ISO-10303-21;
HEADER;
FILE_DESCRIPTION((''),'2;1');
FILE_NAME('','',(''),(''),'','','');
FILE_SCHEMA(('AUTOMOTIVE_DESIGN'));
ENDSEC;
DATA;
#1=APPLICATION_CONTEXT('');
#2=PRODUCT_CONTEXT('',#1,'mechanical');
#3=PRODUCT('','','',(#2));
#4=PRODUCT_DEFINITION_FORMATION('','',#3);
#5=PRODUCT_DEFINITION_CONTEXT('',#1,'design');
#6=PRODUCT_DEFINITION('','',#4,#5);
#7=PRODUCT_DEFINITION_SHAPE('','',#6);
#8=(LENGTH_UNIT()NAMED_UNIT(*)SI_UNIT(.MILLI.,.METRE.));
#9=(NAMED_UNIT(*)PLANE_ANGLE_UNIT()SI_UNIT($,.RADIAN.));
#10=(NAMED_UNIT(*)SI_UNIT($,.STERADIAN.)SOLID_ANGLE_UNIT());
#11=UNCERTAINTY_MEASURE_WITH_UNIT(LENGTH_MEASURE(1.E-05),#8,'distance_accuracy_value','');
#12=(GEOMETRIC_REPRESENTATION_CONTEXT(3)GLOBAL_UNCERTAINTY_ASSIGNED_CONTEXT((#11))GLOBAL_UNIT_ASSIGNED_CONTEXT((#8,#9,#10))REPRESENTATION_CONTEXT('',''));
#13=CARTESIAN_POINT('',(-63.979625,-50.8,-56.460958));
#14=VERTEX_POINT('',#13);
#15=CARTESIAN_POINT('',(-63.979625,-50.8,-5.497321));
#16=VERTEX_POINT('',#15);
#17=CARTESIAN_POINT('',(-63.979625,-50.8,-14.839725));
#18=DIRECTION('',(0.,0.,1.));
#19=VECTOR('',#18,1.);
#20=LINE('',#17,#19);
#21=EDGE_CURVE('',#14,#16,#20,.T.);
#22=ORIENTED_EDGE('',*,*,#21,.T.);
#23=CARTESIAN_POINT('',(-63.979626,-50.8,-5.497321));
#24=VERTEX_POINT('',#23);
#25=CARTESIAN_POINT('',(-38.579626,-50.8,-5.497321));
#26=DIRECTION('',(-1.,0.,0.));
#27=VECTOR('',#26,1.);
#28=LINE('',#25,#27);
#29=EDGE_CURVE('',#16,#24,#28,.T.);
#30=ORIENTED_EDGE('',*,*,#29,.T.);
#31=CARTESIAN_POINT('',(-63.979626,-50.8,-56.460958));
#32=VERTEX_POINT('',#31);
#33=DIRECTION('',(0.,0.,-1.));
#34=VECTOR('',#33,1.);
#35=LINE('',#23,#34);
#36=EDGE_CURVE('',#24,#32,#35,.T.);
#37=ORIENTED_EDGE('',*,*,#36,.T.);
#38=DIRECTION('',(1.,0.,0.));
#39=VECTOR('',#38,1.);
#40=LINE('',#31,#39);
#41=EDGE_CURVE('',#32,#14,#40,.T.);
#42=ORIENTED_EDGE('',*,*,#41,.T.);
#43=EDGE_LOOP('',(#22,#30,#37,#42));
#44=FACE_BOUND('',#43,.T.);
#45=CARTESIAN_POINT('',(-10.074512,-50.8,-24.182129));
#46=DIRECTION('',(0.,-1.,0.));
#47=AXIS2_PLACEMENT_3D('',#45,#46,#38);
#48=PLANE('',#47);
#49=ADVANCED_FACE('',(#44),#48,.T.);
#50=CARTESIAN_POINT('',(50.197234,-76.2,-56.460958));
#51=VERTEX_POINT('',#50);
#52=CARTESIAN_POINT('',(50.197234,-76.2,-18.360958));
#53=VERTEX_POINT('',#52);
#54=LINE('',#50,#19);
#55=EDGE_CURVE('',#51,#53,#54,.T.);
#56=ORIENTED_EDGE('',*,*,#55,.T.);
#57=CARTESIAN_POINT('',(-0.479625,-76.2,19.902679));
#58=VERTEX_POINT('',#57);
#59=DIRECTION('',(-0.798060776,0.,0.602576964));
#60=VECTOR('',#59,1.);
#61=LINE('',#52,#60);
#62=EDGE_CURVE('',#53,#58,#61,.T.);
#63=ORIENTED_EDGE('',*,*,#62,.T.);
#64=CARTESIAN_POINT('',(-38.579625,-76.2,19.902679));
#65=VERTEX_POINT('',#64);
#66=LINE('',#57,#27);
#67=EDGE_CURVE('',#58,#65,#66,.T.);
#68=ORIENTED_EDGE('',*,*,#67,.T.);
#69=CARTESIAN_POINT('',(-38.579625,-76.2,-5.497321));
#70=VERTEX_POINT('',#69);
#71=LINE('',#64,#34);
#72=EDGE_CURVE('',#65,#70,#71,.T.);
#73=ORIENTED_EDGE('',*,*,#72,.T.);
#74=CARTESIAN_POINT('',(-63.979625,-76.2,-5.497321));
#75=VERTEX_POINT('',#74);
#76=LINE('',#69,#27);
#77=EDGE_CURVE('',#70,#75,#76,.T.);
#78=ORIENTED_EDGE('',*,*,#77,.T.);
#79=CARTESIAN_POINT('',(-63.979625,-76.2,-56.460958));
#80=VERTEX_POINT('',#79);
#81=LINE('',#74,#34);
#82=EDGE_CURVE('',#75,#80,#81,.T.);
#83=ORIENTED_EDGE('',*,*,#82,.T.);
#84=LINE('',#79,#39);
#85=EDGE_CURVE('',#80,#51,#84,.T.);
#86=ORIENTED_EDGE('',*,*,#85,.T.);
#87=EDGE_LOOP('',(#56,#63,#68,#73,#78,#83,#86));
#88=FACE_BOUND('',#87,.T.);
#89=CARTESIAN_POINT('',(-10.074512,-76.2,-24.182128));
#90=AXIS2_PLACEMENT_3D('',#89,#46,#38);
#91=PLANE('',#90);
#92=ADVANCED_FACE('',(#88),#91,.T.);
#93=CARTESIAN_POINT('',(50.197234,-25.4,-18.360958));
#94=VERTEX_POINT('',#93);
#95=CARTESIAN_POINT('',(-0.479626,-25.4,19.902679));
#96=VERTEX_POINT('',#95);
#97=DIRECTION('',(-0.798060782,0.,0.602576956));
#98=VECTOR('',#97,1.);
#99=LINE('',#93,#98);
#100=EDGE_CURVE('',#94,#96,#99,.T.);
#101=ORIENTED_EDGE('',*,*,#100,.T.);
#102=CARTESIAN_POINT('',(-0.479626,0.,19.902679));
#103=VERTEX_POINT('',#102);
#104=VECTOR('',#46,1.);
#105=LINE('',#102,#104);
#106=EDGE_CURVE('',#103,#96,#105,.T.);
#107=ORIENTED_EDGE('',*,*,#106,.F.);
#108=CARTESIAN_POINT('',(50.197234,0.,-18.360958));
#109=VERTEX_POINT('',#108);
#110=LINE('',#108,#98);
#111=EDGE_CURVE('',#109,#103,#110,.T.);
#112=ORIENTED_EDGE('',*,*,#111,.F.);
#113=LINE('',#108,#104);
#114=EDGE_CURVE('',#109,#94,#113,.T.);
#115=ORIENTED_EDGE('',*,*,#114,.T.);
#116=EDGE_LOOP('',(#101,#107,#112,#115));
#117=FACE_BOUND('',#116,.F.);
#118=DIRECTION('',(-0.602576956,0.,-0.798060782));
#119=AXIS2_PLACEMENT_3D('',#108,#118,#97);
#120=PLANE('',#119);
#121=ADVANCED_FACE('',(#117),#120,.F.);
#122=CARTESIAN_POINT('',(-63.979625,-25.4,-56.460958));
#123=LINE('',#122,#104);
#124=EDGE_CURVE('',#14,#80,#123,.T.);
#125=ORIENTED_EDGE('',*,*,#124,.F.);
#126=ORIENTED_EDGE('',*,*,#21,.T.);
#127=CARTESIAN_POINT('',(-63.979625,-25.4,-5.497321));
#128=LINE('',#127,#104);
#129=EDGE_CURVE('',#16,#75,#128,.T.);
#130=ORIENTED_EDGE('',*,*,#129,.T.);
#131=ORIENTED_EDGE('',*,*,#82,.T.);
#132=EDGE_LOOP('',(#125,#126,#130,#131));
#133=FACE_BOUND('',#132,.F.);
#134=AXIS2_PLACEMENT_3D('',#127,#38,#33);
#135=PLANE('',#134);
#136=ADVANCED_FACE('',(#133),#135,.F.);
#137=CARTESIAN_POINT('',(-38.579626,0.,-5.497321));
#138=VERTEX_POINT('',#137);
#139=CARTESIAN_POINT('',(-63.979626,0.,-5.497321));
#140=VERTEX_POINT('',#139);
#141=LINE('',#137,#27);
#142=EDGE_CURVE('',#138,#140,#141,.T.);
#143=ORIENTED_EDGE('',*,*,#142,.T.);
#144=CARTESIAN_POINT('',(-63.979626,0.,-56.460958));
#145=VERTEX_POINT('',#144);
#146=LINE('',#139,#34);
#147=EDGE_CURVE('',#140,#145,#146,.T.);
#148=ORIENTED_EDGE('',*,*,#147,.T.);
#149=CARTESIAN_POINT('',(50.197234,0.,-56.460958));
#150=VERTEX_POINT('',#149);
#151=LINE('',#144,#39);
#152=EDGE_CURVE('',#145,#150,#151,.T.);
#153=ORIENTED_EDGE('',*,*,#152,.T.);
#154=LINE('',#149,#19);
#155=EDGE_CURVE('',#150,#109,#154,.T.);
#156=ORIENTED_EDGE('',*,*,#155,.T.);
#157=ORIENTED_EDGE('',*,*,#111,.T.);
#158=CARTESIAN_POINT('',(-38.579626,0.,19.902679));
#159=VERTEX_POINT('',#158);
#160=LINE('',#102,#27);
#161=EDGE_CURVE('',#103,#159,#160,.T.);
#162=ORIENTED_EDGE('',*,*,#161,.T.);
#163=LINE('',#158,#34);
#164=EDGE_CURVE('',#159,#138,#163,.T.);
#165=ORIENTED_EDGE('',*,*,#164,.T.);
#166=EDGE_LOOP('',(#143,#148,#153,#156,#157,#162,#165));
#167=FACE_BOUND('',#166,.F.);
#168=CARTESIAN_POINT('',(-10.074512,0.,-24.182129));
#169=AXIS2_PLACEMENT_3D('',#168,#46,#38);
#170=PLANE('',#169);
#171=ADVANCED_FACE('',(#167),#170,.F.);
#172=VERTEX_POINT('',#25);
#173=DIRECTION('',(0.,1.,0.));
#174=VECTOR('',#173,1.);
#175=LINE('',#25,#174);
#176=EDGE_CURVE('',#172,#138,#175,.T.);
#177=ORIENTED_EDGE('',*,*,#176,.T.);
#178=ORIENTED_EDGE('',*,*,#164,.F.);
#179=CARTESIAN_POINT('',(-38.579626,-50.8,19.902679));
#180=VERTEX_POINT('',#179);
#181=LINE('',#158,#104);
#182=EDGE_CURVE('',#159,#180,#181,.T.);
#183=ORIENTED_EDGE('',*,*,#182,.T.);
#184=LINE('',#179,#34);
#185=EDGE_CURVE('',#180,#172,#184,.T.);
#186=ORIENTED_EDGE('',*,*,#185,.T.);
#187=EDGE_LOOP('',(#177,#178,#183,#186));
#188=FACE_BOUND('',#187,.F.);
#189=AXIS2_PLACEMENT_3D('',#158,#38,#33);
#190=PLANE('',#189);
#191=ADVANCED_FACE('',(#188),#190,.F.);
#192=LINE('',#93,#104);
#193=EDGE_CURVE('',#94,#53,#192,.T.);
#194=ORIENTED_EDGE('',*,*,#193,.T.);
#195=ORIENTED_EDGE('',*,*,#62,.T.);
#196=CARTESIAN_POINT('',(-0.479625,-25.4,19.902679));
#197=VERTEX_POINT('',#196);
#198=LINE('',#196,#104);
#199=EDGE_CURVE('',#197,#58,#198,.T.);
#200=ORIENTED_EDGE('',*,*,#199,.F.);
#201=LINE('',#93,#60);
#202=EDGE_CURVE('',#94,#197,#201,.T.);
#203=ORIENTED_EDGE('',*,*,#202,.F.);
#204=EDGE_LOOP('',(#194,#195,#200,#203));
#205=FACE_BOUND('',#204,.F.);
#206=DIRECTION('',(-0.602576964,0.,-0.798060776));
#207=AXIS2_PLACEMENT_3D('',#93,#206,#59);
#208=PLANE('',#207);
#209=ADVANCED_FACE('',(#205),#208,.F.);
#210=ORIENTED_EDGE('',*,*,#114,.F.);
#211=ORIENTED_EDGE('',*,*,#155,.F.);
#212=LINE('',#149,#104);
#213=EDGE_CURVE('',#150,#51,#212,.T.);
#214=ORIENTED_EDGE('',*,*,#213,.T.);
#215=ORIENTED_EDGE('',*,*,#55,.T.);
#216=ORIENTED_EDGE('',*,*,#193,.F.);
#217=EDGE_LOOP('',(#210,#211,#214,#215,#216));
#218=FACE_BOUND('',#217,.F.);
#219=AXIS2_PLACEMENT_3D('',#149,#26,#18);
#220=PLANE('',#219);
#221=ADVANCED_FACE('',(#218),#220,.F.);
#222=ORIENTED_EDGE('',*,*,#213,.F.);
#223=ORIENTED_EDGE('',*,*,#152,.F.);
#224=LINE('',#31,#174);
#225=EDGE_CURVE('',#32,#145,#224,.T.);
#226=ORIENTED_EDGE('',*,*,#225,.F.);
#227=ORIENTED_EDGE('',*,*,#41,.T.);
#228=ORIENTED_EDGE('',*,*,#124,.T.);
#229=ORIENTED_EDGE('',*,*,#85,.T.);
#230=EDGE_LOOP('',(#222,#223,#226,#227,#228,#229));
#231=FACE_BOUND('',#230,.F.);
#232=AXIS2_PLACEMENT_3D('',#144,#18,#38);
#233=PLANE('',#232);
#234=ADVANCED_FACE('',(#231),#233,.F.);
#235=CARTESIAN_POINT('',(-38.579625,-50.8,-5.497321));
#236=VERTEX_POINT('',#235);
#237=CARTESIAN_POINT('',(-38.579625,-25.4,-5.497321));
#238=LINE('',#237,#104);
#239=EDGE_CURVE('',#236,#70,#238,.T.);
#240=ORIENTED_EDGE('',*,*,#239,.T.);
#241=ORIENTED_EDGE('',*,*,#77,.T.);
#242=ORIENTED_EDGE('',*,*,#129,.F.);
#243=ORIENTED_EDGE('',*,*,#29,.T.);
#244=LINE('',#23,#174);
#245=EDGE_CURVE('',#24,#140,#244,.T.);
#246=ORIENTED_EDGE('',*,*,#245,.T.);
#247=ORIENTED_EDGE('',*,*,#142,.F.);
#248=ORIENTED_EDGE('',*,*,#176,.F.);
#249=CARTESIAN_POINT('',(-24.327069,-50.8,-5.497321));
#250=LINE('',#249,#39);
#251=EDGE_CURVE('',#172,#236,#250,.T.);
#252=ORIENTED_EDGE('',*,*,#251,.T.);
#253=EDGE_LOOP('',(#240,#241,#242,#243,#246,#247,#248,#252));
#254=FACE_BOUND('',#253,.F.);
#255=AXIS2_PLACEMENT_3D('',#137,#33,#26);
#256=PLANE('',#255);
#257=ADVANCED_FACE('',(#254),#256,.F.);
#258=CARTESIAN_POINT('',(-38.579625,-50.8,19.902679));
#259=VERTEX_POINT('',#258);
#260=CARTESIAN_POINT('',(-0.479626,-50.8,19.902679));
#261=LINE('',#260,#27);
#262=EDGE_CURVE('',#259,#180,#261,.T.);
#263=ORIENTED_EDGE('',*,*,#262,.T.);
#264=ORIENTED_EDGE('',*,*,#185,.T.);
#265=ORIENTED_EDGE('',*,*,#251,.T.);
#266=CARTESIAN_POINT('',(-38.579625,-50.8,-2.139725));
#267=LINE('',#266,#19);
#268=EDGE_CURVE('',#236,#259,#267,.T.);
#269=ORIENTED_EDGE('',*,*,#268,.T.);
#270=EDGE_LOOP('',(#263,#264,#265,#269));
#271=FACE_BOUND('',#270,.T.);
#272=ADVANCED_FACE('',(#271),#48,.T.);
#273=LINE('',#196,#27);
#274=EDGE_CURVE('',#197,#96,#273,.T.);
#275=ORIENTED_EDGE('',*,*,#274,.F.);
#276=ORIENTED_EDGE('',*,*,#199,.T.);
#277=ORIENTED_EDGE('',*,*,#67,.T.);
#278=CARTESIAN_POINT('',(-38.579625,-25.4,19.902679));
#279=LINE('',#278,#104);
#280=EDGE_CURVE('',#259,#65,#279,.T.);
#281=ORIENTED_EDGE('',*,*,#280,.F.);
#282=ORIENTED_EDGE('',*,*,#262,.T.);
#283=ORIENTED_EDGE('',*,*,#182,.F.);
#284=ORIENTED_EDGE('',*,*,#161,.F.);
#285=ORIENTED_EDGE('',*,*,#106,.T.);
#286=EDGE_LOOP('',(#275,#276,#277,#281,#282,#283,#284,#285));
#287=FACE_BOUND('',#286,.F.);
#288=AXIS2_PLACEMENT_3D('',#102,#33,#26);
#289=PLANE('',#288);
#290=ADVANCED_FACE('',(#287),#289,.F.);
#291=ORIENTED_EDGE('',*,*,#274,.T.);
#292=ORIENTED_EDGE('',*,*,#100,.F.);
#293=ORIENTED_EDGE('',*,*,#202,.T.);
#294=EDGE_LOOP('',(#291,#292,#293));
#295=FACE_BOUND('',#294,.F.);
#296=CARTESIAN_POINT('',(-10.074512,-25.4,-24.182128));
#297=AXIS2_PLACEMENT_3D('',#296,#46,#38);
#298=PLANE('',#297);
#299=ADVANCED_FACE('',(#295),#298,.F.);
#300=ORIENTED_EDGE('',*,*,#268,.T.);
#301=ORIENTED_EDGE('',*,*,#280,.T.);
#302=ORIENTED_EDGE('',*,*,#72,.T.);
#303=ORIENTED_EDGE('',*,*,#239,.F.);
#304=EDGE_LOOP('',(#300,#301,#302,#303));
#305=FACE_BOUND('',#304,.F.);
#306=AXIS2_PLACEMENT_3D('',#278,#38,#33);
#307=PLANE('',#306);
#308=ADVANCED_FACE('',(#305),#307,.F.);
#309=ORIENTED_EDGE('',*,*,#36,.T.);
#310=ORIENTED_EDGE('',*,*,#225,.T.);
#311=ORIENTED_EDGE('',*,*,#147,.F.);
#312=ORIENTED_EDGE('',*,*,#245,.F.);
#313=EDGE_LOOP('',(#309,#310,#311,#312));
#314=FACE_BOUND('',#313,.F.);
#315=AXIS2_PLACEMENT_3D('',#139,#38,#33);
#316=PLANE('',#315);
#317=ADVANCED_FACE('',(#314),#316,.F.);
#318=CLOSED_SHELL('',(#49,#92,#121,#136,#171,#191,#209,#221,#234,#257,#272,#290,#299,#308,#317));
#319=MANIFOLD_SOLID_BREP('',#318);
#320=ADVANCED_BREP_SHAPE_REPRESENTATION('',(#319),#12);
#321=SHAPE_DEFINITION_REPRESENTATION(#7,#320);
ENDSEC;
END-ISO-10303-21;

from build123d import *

# Parameters (mm, degrees)
F1_DEPTH = 25.4
F2_DEPTH = 50.8


with BuildPart() as f1:
    # F0 (on Front) → F1 (new body)
    with BuildSketch(Plane.XZ):
        Polygon((-63.979626, -56.460958), (-38.702766, -56.460958), (50.197234, -56.460958), (50.197234, -18.360958), (-0.479626, 19.902679), (-38.579626, 19.902679), (-38.579626, -5.497321), (-63.979626, -5.497321), (-63.979626, -45.96319), (-63.979626, -48.23298), align=None)
    extrude(amount=F1_DEPTH)

    # F0 (on Front) + F1_face (on face) → F2 (join)
    with BuildSketch(Plane.XZ):
        Polygon((-63.979626, -56.460958), (-38.702766, -56.460958), (50.197234, -56.460958), (50.197234, -18.360958), (-0.479626, 19.902679), (-38.579626, 19.902679), (-38.579626, -5.497321), (-63.979626, -5.497321), (-63.979626, -45.96319), (-63.979626, -48.23298), align=None)
    with BuildSketch(Plane(origin=(-8.345837, -25.4, -24.063362), x_dir=(1, 0, 0), z_dir=(0, -1, 0))):
        Polygon((-55.633788, -32.397596), (58.543071, -32.397596), (58.543071, 5.702404), (7.866212, 43.966041), (-30.233788, 43.966041), (-30.233788, 18.566041), (-55.633788, 18.566041), align=None)
    extrude(amount=F2_DEPTH)


solid = f1.part
